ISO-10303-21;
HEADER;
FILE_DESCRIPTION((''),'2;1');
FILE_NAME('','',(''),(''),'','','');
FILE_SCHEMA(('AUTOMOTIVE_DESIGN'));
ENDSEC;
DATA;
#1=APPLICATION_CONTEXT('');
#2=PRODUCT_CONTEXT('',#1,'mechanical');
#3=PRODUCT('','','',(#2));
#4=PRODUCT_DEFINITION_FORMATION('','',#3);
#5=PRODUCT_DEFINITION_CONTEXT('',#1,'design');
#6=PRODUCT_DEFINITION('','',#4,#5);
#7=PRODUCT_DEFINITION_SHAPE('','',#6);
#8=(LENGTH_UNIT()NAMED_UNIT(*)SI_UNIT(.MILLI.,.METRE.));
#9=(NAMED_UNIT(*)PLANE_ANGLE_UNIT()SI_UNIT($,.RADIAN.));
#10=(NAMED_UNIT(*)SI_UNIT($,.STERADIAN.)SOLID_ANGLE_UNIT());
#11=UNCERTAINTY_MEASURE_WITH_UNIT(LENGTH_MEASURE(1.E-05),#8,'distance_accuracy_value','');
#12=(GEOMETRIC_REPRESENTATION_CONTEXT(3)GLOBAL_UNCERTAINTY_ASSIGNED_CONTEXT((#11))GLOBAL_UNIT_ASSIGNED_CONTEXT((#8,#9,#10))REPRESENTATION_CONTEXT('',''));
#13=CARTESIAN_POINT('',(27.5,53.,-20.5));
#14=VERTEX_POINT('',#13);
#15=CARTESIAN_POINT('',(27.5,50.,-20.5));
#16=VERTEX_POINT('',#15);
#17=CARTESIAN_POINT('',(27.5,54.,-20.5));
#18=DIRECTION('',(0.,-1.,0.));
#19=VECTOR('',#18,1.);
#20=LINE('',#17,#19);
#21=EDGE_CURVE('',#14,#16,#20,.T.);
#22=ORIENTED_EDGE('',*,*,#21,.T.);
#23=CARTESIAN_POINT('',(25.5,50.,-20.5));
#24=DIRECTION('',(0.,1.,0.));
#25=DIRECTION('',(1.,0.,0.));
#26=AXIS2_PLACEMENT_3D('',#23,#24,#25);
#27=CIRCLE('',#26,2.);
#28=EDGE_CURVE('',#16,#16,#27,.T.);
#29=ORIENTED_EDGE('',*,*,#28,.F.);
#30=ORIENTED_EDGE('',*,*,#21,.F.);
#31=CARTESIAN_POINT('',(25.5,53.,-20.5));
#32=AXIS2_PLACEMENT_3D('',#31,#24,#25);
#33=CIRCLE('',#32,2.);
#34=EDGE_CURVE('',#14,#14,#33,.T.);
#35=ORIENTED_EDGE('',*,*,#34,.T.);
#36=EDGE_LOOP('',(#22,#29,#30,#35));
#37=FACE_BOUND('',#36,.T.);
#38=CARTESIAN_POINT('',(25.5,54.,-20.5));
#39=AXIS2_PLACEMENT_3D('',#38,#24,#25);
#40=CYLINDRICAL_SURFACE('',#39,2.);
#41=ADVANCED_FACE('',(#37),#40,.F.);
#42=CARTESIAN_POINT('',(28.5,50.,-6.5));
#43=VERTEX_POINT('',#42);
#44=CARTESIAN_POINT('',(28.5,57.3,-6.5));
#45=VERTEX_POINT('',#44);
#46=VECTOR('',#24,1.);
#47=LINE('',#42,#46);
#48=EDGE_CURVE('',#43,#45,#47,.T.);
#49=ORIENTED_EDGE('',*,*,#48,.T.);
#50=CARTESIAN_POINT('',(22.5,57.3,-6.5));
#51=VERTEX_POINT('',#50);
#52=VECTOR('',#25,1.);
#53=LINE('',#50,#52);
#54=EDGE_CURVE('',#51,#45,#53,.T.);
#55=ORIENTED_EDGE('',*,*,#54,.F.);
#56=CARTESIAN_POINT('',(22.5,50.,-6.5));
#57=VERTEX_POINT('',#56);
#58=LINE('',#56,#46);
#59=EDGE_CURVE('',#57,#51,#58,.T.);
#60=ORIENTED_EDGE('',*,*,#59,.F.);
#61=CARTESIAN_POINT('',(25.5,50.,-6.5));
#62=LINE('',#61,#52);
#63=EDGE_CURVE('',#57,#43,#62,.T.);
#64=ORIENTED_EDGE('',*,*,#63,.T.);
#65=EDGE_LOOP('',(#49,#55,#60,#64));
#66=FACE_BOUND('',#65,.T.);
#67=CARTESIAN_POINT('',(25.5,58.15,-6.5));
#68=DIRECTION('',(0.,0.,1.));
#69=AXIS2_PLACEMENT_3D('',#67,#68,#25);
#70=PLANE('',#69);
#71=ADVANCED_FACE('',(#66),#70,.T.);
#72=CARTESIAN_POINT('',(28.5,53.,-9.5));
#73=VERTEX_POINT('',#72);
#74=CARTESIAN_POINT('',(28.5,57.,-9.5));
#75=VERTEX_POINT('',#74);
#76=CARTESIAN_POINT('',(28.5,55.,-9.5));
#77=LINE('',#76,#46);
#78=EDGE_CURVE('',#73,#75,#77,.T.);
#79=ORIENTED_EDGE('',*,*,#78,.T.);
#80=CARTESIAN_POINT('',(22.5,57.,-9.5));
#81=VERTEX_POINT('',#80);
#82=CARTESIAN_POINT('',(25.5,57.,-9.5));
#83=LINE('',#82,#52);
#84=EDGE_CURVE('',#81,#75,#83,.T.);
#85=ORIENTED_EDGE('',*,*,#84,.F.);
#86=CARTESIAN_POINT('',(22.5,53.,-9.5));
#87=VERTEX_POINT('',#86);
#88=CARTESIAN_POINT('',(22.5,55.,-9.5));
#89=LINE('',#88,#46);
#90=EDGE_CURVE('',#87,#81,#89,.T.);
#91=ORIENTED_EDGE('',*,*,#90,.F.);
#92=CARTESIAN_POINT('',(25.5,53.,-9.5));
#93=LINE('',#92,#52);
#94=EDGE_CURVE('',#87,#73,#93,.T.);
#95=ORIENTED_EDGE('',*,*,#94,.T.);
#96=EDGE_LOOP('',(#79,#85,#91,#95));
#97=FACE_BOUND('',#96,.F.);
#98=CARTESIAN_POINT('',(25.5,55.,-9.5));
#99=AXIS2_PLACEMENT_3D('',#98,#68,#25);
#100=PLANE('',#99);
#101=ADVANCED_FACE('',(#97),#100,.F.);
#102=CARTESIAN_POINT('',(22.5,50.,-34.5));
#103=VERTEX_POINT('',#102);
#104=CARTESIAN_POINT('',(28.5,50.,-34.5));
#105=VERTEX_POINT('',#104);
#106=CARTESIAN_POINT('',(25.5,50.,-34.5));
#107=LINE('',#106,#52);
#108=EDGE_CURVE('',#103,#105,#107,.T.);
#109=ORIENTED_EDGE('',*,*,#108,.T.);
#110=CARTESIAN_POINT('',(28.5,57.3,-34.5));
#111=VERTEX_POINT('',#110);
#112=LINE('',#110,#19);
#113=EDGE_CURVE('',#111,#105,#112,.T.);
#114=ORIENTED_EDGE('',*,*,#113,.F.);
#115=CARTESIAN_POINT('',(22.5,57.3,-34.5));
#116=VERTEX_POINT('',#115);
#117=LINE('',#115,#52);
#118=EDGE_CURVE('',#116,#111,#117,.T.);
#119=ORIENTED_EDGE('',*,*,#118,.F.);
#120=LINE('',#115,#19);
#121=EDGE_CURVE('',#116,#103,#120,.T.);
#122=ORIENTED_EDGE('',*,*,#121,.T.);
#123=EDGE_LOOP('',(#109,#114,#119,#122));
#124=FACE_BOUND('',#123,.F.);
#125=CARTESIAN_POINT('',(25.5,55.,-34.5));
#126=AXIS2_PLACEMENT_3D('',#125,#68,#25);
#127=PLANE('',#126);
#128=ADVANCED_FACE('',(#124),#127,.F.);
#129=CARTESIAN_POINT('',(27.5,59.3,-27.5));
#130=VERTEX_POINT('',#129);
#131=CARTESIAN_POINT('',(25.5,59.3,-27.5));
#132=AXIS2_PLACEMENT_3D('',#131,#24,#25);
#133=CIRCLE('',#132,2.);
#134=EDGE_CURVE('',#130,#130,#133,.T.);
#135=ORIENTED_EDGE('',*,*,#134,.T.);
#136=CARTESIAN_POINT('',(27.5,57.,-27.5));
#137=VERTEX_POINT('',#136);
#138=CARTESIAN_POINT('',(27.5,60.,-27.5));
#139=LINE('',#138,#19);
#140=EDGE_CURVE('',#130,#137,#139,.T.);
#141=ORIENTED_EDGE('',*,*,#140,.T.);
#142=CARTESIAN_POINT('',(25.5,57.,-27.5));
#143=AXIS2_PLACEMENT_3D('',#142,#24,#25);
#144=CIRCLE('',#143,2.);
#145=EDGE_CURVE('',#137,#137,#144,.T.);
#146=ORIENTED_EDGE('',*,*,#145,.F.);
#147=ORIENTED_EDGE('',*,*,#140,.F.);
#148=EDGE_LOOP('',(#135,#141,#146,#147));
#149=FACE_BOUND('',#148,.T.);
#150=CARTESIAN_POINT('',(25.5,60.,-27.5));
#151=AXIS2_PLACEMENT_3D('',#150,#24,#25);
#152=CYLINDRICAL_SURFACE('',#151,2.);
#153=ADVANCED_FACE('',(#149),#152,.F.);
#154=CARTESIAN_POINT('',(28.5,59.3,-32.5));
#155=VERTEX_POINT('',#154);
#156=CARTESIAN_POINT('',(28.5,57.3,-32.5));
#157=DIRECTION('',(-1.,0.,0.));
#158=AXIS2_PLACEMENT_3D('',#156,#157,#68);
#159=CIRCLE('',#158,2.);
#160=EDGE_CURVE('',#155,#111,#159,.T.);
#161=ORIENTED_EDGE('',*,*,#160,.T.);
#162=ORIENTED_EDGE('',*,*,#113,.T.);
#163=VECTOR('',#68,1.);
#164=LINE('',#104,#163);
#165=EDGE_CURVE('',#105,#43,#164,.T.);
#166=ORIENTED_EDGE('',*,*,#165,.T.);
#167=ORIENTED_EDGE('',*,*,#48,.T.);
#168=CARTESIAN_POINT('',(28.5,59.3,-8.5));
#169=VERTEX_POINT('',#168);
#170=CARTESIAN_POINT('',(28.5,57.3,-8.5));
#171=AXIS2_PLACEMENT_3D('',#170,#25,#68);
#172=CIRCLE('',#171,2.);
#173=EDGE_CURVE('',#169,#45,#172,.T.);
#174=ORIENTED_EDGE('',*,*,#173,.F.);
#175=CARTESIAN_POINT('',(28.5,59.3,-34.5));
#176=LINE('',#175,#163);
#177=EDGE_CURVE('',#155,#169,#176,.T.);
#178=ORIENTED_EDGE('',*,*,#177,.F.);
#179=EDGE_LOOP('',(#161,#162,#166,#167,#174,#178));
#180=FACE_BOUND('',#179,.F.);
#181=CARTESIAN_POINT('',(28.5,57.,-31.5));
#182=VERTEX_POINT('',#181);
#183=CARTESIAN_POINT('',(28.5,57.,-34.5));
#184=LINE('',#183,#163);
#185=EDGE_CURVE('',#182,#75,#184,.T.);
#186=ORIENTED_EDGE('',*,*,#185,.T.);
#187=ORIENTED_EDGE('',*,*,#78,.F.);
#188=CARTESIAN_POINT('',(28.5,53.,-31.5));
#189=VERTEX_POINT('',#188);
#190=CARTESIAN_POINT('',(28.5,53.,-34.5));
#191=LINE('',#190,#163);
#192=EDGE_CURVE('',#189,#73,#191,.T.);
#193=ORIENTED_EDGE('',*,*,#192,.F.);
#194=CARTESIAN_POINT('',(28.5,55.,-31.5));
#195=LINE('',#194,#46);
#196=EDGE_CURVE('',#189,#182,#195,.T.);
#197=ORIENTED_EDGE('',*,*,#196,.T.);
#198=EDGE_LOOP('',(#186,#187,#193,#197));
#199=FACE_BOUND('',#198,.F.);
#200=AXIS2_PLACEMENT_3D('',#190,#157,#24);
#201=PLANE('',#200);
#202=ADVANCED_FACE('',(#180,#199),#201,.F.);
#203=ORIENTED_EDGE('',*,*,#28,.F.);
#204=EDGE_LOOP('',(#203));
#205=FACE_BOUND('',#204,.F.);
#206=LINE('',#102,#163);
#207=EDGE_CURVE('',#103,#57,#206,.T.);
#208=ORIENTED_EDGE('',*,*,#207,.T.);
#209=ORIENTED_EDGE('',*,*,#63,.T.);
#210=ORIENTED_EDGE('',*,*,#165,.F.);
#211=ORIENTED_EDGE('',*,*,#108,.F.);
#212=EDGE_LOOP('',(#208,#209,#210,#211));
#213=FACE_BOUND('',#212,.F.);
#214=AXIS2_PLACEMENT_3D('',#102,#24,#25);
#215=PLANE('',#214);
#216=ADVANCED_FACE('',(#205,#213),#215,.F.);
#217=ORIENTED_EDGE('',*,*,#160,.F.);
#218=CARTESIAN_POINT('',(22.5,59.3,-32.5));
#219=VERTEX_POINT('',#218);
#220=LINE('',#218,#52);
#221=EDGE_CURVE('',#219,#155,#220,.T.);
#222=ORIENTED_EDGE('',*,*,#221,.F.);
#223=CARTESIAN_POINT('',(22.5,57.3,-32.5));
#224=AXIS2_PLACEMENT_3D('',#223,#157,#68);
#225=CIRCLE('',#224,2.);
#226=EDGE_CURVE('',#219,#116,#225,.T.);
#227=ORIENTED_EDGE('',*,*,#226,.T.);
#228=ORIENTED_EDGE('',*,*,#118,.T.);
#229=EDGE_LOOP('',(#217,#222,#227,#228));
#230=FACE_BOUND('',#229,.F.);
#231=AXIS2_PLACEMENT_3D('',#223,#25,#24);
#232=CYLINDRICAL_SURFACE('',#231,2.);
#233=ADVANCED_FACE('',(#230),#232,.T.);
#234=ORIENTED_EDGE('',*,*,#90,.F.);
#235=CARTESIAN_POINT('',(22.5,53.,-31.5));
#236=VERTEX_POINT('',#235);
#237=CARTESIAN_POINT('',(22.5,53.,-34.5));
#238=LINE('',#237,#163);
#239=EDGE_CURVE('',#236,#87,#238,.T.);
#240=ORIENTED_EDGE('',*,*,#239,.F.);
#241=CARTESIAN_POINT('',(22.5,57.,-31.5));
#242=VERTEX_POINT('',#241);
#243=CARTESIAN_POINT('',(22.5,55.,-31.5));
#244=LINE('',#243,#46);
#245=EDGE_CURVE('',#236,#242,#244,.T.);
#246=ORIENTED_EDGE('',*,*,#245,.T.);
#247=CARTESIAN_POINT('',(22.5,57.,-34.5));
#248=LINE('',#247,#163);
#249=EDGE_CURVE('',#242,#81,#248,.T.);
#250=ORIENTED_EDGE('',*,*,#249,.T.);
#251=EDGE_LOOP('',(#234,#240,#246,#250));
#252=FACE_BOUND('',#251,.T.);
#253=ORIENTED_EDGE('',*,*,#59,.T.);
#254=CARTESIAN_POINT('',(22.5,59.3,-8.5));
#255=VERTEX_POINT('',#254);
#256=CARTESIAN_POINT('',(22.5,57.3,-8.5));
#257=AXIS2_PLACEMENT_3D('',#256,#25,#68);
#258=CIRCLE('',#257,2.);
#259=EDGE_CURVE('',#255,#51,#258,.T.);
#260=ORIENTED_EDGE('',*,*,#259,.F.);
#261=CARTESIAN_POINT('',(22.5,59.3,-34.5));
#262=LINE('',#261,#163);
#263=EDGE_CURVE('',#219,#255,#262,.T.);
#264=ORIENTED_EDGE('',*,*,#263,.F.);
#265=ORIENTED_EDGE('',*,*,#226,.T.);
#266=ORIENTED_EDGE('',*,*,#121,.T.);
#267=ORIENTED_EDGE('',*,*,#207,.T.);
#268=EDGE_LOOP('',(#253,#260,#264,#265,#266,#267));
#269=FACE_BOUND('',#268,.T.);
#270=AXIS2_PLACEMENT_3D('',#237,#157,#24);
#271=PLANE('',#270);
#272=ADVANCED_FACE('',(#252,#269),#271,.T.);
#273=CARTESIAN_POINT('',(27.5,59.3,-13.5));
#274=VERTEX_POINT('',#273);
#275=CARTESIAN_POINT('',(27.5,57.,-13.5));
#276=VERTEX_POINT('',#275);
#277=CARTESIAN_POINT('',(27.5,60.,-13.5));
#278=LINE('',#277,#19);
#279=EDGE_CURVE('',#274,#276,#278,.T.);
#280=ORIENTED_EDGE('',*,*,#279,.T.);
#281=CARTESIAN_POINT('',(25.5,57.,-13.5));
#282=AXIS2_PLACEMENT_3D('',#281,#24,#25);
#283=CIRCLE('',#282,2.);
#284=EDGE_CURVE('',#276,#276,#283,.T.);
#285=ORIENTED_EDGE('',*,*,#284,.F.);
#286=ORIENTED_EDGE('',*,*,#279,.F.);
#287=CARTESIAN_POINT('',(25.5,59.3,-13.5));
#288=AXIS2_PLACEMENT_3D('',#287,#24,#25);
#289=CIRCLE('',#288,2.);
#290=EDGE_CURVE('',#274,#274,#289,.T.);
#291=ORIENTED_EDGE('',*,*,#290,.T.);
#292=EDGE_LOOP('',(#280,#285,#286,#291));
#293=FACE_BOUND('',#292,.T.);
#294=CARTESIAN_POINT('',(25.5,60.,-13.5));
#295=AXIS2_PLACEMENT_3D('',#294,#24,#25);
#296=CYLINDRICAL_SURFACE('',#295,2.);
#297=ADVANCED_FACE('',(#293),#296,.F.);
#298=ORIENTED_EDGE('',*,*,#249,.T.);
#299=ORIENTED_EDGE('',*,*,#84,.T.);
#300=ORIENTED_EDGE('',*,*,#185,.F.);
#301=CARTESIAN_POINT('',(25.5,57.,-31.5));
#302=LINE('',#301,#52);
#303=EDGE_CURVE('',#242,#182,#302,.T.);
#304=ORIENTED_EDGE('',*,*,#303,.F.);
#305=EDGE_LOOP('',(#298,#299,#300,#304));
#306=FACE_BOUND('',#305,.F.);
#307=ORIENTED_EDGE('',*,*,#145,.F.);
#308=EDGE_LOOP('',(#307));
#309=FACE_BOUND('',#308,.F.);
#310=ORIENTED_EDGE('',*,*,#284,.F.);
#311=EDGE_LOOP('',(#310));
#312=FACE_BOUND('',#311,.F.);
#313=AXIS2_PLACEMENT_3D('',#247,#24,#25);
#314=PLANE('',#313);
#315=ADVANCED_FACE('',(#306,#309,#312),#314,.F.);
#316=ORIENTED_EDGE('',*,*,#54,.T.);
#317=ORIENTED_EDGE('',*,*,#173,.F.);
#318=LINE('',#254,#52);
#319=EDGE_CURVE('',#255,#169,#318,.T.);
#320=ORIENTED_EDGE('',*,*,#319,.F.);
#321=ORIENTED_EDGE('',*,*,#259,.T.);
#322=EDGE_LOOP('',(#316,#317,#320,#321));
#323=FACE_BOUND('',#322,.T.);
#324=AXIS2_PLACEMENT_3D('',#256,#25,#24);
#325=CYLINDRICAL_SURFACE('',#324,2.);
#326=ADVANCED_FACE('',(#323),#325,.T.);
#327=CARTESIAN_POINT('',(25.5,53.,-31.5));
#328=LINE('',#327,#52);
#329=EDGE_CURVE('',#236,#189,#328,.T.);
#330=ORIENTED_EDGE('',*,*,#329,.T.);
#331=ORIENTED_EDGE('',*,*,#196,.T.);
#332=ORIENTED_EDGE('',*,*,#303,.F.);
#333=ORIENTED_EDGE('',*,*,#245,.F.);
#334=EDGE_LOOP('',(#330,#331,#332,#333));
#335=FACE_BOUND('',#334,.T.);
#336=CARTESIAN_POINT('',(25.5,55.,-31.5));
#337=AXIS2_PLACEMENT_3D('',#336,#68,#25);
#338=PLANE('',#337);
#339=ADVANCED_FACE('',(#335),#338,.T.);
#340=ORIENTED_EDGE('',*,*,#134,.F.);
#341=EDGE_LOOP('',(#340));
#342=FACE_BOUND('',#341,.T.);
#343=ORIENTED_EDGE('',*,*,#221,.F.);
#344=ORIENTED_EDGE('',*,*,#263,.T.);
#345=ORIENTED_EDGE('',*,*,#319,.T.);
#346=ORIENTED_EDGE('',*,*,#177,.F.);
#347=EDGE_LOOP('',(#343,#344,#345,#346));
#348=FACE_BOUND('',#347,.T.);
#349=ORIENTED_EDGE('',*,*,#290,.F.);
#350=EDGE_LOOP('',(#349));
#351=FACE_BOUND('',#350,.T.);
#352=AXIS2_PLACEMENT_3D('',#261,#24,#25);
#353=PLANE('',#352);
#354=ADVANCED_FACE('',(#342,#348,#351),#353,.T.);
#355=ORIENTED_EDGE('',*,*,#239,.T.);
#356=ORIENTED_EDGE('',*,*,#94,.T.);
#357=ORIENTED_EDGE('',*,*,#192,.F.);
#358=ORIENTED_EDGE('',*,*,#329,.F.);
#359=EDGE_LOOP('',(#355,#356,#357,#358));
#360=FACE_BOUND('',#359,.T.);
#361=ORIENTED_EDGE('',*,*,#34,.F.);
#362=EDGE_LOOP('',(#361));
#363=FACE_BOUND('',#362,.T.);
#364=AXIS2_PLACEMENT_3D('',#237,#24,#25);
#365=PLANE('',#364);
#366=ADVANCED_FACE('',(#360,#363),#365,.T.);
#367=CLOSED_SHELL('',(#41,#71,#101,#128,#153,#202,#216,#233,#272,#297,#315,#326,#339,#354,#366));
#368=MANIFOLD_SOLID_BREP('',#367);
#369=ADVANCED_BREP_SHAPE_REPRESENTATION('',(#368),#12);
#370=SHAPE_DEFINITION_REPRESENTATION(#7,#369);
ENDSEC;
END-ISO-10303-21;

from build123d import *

# Parameters (mm, degrees)
BOX226_W          = 6
BOX226_H          = 4
BOX226_DEPTH      = 3
CYLINDER090_R     = 2
CYLINDER090_DEPTH = 5
CYLINDER089_R     = 2
CYLINDER089_DEPTH = 5
BOX223_W          = 6
BOX223_H          = 2.3
BOX223_DEPTH      = 28
FILLET056_R       = 2
BOX225_W          = 6
BOX225_H          = 4
BOX225_DEPTH      = 3
CYLINDER091_R     = 2
CYLINDER091_DEPTH = 5
BOX224_W          = 6
BOX224_H          = 3
BOX224_DEPTH      = 28


with BuildPart() as cube214:
    # Box226 → Box226 (new body)
    with BuildSketch(Plane(origin=(22.5, 53, -9.5), x_dir=(1, 0, 0), z_dir=(0, 0, 1))):
        with Locations((3, 2)):
            Rectangle(BOX226_W, BOX226_H)
    extrude(amount=BOX226_DEPTH)


with BuildPart() as cylinder171:
    # Cylinder090 → Cylinder090 (new body)
    with BuildSketch(Plane(origin=(25.5, 60, -27.5), x_dir=(1, 0, 0), z_dir=(0, -1, 0))):
        Circle(CYLINDER090_R)
    extrude(amount=CYLINDER090_DEPTH)


with BuildPart() as cylinder170:
    # Cylinder089 → Cylinder089 (new body)
    with BuildSketch(Plane(origin=(25.5, 60, -13.5), x_dir=(1, 0, 0), z_dir=(0, -1, 0))):
        Circle(CYLINDER089_R)
    extrude(amount=CYLINDER089_DEPTH)


with BuildPart() as fillet056:
    # Box223 → Box223 (new body)
    with BuildSketch(Plane(origin=(22.5, 57, -34.5), x_dir=(1, 0, 0), z_dir=(0, 0, 1))):
        with Locations((3, 1.15)):
            Rectangle(BOX223_W, BOX223_H)
    extrude(amount=BOX223_DEPTH)

    # Cut113: cut Cylinder170
    add(cylinder170.part, mode=Mode.SUBTRACT)

    # Cut114: cut Cylinder171
    add(cylinder171.part, mode=Mode.SUBTRACT)

    # Fillet056
    fillet056_edges = [fillet056.edges().sort_by_distance(p)[0] for p in [
        (25.5, 59.3, -6.5),
        (25.5, 59.3, -34.5),
    ]]
    fillet(fillet056_edges, radius=FILLET056_R)


with BuildPart() as cube213:
    # Box225 → Box225 (new body)
    with BuildSketch(Plane(origin=(22.5, 53, -34.5), x_dir=(1, 0, 0), z_dir=(0, 0, 1))):
        with Locations((3, 2)):
            Rectangle(BOX225_W, BOX225_H)
    extrude(amount=BOX225_DEPTH)


with BuildPart() as cylinder172:
    # Cylinder091 → Cylinder091 (new body)
    with BuildSketch(Plane(origin=(25.5, 54, -20.5), x_dir=(1, 0, 0), z_dir=(0, -1, 0))):
        Circle(CYLINDER091_R)
    extrude(amount=CYLINDER091_DEPTH)


with BuildPart() as fusion071:
    # Box224 → Box224 (new body)
    with BuildSketch(Plane(origin=(22.5, 50, -34.5), x_dir=(1, 0, 0), z_dir=(0, 0, 1))):
        with Locations((3, 1.5)):
            Rectangle(BOX224_W, BOX224_H)
    extrude(amount=BOX224_DEPTH)

    # Cut115: cut Cylinder172
    add(cylinder172.part, mode=Mode.SUBTRACT)

    # Fusion071: union Cube214, Fillet056, Cube213
    add(cube214.part)
    add(fillet056.part)
    add(cube213.part)


solid = fusion071.part
